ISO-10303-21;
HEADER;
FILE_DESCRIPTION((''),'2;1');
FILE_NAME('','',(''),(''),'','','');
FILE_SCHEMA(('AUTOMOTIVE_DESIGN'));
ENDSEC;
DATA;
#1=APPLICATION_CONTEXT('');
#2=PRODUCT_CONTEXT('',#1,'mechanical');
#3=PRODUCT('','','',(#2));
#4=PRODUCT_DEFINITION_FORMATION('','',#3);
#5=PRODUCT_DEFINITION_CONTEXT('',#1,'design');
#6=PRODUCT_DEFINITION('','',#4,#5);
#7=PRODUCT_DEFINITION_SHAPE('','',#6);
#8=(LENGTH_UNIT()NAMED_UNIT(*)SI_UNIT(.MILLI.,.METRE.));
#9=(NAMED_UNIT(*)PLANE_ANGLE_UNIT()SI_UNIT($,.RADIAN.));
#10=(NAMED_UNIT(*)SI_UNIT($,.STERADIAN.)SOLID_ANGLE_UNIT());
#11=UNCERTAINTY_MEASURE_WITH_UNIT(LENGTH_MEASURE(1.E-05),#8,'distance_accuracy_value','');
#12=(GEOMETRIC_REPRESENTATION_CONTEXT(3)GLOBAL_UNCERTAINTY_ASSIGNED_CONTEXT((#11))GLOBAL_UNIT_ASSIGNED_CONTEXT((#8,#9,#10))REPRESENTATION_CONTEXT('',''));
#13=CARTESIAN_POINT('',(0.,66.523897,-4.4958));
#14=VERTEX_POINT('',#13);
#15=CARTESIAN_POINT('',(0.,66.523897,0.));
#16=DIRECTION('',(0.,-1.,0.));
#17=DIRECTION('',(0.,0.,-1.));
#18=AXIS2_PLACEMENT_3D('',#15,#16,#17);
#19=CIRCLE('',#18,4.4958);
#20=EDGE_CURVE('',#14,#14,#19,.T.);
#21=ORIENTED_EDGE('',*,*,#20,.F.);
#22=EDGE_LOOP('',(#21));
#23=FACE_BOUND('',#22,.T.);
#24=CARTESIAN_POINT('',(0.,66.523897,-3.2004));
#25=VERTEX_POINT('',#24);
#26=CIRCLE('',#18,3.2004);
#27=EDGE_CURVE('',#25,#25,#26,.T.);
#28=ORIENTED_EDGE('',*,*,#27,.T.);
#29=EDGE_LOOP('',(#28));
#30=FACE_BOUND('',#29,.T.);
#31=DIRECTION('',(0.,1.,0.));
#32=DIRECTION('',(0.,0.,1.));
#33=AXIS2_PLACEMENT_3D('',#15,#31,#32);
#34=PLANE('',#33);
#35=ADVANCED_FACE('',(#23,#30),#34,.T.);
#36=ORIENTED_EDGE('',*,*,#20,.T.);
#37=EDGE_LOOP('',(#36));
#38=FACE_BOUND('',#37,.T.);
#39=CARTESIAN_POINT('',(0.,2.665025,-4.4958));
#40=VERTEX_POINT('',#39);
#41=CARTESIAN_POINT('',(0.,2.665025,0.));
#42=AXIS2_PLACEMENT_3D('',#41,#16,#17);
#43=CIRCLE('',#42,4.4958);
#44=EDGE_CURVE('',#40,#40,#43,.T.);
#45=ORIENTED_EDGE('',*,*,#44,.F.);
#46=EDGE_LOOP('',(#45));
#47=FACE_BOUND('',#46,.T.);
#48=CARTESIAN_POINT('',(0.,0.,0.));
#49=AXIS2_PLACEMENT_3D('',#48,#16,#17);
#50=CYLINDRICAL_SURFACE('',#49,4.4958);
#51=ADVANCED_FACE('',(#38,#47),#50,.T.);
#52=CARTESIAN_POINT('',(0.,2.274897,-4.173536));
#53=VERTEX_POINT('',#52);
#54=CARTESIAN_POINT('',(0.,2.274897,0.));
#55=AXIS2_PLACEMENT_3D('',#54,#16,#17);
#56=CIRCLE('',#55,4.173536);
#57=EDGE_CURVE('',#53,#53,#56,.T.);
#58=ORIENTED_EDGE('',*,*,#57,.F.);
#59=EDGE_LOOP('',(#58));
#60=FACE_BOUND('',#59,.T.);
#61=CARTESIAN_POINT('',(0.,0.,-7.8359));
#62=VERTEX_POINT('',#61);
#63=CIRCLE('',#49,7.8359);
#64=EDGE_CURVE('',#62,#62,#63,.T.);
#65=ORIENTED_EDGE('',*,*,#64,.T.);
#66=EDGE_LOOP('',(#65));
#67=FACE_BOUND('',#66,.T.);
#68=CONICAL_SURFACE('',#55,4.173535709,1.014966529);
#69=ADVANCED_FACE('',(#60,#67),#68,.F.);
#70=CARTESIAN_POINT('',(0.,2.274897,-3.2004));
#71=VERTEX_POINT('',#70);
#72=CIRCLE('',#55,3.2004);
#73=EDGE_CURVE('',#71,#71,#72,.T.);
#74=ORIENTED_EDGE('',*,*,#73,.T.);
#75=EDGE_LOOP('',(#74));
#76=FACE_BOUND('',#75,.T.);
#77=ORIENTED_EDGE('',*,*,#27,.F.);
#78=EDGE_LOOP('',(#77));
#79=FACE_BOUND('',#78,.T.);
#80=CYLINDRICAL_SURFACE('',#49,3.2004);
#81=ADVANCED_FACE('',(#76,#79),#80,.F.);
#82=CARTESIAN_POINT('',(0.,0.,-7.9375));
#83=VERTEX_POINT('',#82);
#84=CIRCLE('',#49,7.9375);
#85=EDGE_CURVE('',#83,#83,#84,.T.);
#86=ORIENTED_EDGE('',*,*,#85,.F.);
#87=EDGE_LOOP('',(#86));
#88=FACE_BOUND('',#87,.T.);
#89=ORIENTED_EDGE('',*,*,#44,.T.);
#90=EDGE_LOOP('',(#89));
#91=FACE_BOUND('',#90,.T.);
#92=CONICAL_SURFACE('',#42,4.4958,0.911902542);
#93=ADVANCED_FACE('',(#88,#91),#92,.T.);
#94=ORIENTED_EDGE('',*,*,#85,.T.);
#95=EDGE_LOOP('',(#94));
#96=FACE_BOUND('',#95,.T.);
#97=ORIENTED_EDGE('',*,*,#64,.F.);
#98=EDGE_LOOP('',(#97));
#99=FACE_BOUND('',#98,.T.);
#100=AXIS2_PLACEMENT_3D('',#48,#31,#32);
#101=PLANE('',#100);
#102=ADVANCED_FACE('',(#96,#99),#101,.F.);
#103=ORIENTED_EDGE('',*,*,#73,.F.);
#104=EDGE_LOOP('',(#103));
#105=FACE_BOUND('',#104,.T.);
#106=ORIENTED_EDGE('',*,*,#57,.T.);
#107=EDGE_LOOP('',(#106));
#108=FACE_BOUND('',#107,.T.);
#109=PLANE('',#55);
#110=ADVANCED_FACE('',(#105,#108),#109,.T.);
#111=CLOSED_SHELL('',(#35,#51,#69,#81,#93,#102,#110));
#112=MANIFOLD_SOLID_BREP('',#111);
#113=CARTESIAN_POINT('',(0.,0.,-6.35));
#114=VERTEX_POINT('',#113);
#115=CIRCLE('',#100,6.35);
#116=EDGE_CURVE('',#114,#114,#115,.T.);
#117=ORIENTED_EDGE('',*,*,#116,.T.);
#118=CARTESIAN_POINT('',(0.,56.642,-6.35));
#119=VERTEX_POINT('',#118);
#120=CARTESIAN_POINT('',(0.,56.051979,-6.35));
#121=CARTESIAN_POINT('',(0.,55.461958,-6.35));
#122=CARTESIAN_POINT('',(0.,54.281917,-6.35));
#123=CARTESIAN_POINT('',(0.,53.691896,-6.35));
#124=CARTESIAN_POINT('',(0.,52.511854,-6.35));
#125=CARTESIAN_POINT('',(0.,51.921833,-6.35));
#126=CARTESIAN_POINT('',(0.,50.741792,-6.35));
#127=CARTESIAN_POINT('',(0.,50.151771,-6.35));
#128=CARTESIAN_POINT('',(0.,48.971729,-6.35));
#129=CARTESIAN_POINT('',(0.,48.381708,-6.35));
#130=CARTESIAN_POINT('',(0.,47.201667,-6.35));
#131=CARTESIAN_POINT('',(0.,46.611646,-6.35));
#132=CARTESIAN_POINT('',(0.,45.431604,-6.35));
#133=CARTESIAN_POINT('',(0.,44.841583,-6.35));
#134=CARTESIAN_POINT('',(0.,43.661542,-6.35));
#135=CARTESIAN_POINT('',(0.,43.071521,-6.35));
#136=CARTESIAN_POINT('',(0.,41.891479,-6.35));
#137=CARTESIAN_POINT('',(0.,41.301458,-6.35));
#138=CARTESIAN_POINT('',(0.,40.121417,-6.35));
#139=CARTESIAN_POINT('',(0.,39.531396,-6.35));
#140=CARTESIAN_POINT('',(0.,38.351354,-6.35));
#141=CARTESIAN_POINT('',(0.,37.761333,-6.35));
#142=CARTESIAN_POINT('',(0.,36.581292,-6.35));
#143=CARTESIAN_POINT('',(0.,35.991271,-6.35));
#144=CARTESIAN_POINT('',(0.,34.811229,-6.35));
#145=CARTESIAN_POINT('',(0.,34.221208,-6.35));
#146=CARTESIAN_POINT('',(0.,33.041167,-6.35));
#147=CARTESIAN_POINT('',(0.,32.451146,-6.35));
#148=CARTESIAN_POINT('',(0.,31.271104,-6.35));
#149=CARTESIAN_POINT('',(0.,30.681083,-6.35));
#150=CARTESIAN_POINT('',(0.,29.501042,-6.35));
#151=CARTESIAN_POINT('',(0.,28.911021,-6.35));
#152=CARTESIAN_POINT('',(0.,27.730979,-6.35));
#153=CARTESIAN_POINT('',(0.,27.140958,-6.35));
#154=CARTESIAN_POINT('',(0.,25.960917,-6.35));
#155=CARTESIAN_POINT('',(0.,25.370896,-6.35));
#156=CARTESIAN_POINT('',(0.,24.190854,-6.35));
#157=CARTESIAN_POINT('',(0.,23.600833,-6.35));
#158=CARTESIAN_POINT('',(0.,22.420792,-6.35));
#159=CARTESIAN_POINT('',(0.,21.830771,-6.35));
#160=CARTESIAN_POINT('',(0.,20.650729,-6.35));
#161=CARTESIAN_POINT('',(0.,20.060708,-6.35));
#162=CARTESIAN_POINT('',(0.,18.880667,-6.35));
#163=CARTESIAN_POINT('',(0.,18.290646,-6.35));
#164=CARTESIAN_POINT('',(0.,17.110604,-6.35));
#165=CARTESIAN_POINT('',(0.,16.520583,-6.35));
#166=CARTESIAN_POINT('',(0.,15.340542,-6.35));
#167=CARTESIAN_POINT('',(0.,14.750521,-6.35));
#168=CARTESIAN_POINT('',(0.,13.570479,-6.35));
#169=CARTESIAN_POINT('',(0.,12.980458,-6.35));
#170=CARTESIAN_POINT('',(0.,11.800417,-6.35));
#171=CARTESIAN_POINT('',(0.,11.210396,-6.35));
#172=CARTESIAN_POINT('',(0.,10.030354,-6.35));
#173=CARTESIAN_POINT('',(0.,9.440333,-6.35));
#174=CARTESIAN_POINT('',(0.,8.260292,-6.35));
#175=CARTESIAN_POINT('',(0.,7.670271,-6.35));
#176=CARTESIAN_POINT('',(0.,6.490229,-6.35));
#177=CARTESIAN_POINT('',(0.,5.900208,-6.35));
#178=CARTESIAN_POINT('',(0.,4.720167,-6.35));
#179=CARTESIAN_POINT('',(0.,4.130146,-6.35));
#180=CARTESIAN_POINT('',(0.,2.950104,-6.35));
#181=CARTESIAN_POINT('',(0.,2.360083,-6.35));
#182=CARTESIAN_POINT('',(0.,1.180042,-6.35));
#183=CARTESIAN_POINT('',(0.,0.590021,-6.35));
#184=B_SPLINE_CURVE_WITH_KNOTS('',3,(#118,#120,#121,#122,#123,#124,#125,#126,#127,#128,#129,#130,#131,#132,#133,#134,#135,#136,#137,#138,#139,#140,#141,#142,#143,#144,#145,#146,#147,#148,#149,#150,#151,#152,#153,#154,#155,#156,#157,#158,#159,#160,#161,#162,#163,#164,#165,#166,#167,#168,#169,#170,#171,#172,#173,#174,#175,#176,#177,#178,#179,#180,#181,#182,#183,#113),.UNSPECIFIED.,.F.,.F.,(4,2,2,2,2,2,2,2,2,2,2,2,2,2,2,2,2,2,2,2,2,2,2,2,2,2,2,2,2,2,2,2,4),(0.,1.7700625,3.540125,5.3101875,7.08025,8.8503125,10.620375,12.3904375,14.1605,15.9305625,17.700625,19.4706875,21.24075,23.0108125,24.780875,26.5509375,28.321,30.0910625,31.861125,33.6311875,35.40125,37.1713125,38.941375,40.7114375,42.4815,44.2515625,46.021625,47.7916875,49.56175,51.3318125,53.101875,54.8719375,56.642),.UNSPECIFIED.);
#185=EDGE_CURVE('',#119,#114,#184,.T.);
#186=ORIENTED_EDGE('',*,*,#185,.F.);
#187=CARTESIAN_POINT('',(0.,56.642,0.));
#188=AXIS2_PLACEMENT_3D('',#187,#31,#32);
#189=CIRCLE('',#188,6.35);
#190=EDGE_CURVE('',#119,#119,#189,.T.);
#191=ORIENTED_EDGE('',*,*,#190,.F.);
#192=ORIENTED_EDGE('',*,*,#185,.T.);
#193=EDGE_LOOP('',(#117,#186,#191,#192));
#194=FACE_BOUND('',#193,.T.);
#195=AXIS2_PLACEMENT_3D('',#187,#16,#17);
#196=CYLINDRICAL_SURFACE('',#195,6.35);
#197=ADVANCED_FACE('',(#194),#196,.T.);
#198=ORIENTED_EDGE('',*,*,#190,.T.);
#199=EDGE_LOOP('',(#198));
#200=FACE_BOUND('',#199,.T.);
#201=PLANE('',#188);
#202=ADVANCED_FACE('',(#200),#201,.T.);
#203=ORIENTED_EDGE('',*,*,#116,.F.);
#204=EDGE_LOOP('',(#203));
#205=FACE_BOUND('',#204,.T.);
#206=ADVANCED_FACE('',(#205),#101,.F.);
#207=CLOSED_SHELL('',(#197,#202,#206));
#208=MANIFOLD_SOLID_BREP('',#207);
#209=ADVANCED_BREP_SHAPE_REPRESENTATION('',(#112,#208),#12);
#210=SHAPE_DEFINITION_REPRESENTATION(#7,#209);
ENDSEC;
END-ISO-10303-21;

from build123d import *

# Parameters (mm, degrees)
SKETCH1_R           = 6.35
BOSS_EXTRUDE1_DEPTH = 56.642
SKETCH2_W           = 1.2954
SKETCH2_H           = 63.858872161


with BuildPart() as part:
    # Sketch1 → Boss-Extrude1 (new body)
    with BuildSketch(Plane(origin=(0, 0, 0), x_dir=(1, 0, 0), z_dir=(0, 1, 0))):
        with Locations(Location((0, 0, 0), (0, 0, 90))):
            Circle(SKETCH1_R)
    extrude(amount=BOSS_EXTRUDE1_DEPTH)


with BuildPart() as body_2:
    # Sketch2 → Revolve1 (revolve)
    with BuildSketch(Plane(origin=(0, 0, 0), x_dir=(0, 0, -1), z_dir=(1, 0, 0)), mode=Mode.PRIVATE) as revolve1_sk:
        with Locations((-3.8481, 34.59446107)):
            Rectangle(SKETCH2_W, SKETCH2_H)
        Polygon((-4.173535709, 2.274896933), (-3.2004, 2.274896933), (-3.2004, 2.665024989), (-4.4958, 2.665024989), (-7.9375, 0), (-7.8359, 0), align=None)
    revolve(revolve1_sk.sketch.rotate(Axis((0, 0, 0), (0, 1, 0)), 180), axis=Axis((0, 0, 0), (0, 1, 0)))


solid = Compound([part.part, body_2.part])
